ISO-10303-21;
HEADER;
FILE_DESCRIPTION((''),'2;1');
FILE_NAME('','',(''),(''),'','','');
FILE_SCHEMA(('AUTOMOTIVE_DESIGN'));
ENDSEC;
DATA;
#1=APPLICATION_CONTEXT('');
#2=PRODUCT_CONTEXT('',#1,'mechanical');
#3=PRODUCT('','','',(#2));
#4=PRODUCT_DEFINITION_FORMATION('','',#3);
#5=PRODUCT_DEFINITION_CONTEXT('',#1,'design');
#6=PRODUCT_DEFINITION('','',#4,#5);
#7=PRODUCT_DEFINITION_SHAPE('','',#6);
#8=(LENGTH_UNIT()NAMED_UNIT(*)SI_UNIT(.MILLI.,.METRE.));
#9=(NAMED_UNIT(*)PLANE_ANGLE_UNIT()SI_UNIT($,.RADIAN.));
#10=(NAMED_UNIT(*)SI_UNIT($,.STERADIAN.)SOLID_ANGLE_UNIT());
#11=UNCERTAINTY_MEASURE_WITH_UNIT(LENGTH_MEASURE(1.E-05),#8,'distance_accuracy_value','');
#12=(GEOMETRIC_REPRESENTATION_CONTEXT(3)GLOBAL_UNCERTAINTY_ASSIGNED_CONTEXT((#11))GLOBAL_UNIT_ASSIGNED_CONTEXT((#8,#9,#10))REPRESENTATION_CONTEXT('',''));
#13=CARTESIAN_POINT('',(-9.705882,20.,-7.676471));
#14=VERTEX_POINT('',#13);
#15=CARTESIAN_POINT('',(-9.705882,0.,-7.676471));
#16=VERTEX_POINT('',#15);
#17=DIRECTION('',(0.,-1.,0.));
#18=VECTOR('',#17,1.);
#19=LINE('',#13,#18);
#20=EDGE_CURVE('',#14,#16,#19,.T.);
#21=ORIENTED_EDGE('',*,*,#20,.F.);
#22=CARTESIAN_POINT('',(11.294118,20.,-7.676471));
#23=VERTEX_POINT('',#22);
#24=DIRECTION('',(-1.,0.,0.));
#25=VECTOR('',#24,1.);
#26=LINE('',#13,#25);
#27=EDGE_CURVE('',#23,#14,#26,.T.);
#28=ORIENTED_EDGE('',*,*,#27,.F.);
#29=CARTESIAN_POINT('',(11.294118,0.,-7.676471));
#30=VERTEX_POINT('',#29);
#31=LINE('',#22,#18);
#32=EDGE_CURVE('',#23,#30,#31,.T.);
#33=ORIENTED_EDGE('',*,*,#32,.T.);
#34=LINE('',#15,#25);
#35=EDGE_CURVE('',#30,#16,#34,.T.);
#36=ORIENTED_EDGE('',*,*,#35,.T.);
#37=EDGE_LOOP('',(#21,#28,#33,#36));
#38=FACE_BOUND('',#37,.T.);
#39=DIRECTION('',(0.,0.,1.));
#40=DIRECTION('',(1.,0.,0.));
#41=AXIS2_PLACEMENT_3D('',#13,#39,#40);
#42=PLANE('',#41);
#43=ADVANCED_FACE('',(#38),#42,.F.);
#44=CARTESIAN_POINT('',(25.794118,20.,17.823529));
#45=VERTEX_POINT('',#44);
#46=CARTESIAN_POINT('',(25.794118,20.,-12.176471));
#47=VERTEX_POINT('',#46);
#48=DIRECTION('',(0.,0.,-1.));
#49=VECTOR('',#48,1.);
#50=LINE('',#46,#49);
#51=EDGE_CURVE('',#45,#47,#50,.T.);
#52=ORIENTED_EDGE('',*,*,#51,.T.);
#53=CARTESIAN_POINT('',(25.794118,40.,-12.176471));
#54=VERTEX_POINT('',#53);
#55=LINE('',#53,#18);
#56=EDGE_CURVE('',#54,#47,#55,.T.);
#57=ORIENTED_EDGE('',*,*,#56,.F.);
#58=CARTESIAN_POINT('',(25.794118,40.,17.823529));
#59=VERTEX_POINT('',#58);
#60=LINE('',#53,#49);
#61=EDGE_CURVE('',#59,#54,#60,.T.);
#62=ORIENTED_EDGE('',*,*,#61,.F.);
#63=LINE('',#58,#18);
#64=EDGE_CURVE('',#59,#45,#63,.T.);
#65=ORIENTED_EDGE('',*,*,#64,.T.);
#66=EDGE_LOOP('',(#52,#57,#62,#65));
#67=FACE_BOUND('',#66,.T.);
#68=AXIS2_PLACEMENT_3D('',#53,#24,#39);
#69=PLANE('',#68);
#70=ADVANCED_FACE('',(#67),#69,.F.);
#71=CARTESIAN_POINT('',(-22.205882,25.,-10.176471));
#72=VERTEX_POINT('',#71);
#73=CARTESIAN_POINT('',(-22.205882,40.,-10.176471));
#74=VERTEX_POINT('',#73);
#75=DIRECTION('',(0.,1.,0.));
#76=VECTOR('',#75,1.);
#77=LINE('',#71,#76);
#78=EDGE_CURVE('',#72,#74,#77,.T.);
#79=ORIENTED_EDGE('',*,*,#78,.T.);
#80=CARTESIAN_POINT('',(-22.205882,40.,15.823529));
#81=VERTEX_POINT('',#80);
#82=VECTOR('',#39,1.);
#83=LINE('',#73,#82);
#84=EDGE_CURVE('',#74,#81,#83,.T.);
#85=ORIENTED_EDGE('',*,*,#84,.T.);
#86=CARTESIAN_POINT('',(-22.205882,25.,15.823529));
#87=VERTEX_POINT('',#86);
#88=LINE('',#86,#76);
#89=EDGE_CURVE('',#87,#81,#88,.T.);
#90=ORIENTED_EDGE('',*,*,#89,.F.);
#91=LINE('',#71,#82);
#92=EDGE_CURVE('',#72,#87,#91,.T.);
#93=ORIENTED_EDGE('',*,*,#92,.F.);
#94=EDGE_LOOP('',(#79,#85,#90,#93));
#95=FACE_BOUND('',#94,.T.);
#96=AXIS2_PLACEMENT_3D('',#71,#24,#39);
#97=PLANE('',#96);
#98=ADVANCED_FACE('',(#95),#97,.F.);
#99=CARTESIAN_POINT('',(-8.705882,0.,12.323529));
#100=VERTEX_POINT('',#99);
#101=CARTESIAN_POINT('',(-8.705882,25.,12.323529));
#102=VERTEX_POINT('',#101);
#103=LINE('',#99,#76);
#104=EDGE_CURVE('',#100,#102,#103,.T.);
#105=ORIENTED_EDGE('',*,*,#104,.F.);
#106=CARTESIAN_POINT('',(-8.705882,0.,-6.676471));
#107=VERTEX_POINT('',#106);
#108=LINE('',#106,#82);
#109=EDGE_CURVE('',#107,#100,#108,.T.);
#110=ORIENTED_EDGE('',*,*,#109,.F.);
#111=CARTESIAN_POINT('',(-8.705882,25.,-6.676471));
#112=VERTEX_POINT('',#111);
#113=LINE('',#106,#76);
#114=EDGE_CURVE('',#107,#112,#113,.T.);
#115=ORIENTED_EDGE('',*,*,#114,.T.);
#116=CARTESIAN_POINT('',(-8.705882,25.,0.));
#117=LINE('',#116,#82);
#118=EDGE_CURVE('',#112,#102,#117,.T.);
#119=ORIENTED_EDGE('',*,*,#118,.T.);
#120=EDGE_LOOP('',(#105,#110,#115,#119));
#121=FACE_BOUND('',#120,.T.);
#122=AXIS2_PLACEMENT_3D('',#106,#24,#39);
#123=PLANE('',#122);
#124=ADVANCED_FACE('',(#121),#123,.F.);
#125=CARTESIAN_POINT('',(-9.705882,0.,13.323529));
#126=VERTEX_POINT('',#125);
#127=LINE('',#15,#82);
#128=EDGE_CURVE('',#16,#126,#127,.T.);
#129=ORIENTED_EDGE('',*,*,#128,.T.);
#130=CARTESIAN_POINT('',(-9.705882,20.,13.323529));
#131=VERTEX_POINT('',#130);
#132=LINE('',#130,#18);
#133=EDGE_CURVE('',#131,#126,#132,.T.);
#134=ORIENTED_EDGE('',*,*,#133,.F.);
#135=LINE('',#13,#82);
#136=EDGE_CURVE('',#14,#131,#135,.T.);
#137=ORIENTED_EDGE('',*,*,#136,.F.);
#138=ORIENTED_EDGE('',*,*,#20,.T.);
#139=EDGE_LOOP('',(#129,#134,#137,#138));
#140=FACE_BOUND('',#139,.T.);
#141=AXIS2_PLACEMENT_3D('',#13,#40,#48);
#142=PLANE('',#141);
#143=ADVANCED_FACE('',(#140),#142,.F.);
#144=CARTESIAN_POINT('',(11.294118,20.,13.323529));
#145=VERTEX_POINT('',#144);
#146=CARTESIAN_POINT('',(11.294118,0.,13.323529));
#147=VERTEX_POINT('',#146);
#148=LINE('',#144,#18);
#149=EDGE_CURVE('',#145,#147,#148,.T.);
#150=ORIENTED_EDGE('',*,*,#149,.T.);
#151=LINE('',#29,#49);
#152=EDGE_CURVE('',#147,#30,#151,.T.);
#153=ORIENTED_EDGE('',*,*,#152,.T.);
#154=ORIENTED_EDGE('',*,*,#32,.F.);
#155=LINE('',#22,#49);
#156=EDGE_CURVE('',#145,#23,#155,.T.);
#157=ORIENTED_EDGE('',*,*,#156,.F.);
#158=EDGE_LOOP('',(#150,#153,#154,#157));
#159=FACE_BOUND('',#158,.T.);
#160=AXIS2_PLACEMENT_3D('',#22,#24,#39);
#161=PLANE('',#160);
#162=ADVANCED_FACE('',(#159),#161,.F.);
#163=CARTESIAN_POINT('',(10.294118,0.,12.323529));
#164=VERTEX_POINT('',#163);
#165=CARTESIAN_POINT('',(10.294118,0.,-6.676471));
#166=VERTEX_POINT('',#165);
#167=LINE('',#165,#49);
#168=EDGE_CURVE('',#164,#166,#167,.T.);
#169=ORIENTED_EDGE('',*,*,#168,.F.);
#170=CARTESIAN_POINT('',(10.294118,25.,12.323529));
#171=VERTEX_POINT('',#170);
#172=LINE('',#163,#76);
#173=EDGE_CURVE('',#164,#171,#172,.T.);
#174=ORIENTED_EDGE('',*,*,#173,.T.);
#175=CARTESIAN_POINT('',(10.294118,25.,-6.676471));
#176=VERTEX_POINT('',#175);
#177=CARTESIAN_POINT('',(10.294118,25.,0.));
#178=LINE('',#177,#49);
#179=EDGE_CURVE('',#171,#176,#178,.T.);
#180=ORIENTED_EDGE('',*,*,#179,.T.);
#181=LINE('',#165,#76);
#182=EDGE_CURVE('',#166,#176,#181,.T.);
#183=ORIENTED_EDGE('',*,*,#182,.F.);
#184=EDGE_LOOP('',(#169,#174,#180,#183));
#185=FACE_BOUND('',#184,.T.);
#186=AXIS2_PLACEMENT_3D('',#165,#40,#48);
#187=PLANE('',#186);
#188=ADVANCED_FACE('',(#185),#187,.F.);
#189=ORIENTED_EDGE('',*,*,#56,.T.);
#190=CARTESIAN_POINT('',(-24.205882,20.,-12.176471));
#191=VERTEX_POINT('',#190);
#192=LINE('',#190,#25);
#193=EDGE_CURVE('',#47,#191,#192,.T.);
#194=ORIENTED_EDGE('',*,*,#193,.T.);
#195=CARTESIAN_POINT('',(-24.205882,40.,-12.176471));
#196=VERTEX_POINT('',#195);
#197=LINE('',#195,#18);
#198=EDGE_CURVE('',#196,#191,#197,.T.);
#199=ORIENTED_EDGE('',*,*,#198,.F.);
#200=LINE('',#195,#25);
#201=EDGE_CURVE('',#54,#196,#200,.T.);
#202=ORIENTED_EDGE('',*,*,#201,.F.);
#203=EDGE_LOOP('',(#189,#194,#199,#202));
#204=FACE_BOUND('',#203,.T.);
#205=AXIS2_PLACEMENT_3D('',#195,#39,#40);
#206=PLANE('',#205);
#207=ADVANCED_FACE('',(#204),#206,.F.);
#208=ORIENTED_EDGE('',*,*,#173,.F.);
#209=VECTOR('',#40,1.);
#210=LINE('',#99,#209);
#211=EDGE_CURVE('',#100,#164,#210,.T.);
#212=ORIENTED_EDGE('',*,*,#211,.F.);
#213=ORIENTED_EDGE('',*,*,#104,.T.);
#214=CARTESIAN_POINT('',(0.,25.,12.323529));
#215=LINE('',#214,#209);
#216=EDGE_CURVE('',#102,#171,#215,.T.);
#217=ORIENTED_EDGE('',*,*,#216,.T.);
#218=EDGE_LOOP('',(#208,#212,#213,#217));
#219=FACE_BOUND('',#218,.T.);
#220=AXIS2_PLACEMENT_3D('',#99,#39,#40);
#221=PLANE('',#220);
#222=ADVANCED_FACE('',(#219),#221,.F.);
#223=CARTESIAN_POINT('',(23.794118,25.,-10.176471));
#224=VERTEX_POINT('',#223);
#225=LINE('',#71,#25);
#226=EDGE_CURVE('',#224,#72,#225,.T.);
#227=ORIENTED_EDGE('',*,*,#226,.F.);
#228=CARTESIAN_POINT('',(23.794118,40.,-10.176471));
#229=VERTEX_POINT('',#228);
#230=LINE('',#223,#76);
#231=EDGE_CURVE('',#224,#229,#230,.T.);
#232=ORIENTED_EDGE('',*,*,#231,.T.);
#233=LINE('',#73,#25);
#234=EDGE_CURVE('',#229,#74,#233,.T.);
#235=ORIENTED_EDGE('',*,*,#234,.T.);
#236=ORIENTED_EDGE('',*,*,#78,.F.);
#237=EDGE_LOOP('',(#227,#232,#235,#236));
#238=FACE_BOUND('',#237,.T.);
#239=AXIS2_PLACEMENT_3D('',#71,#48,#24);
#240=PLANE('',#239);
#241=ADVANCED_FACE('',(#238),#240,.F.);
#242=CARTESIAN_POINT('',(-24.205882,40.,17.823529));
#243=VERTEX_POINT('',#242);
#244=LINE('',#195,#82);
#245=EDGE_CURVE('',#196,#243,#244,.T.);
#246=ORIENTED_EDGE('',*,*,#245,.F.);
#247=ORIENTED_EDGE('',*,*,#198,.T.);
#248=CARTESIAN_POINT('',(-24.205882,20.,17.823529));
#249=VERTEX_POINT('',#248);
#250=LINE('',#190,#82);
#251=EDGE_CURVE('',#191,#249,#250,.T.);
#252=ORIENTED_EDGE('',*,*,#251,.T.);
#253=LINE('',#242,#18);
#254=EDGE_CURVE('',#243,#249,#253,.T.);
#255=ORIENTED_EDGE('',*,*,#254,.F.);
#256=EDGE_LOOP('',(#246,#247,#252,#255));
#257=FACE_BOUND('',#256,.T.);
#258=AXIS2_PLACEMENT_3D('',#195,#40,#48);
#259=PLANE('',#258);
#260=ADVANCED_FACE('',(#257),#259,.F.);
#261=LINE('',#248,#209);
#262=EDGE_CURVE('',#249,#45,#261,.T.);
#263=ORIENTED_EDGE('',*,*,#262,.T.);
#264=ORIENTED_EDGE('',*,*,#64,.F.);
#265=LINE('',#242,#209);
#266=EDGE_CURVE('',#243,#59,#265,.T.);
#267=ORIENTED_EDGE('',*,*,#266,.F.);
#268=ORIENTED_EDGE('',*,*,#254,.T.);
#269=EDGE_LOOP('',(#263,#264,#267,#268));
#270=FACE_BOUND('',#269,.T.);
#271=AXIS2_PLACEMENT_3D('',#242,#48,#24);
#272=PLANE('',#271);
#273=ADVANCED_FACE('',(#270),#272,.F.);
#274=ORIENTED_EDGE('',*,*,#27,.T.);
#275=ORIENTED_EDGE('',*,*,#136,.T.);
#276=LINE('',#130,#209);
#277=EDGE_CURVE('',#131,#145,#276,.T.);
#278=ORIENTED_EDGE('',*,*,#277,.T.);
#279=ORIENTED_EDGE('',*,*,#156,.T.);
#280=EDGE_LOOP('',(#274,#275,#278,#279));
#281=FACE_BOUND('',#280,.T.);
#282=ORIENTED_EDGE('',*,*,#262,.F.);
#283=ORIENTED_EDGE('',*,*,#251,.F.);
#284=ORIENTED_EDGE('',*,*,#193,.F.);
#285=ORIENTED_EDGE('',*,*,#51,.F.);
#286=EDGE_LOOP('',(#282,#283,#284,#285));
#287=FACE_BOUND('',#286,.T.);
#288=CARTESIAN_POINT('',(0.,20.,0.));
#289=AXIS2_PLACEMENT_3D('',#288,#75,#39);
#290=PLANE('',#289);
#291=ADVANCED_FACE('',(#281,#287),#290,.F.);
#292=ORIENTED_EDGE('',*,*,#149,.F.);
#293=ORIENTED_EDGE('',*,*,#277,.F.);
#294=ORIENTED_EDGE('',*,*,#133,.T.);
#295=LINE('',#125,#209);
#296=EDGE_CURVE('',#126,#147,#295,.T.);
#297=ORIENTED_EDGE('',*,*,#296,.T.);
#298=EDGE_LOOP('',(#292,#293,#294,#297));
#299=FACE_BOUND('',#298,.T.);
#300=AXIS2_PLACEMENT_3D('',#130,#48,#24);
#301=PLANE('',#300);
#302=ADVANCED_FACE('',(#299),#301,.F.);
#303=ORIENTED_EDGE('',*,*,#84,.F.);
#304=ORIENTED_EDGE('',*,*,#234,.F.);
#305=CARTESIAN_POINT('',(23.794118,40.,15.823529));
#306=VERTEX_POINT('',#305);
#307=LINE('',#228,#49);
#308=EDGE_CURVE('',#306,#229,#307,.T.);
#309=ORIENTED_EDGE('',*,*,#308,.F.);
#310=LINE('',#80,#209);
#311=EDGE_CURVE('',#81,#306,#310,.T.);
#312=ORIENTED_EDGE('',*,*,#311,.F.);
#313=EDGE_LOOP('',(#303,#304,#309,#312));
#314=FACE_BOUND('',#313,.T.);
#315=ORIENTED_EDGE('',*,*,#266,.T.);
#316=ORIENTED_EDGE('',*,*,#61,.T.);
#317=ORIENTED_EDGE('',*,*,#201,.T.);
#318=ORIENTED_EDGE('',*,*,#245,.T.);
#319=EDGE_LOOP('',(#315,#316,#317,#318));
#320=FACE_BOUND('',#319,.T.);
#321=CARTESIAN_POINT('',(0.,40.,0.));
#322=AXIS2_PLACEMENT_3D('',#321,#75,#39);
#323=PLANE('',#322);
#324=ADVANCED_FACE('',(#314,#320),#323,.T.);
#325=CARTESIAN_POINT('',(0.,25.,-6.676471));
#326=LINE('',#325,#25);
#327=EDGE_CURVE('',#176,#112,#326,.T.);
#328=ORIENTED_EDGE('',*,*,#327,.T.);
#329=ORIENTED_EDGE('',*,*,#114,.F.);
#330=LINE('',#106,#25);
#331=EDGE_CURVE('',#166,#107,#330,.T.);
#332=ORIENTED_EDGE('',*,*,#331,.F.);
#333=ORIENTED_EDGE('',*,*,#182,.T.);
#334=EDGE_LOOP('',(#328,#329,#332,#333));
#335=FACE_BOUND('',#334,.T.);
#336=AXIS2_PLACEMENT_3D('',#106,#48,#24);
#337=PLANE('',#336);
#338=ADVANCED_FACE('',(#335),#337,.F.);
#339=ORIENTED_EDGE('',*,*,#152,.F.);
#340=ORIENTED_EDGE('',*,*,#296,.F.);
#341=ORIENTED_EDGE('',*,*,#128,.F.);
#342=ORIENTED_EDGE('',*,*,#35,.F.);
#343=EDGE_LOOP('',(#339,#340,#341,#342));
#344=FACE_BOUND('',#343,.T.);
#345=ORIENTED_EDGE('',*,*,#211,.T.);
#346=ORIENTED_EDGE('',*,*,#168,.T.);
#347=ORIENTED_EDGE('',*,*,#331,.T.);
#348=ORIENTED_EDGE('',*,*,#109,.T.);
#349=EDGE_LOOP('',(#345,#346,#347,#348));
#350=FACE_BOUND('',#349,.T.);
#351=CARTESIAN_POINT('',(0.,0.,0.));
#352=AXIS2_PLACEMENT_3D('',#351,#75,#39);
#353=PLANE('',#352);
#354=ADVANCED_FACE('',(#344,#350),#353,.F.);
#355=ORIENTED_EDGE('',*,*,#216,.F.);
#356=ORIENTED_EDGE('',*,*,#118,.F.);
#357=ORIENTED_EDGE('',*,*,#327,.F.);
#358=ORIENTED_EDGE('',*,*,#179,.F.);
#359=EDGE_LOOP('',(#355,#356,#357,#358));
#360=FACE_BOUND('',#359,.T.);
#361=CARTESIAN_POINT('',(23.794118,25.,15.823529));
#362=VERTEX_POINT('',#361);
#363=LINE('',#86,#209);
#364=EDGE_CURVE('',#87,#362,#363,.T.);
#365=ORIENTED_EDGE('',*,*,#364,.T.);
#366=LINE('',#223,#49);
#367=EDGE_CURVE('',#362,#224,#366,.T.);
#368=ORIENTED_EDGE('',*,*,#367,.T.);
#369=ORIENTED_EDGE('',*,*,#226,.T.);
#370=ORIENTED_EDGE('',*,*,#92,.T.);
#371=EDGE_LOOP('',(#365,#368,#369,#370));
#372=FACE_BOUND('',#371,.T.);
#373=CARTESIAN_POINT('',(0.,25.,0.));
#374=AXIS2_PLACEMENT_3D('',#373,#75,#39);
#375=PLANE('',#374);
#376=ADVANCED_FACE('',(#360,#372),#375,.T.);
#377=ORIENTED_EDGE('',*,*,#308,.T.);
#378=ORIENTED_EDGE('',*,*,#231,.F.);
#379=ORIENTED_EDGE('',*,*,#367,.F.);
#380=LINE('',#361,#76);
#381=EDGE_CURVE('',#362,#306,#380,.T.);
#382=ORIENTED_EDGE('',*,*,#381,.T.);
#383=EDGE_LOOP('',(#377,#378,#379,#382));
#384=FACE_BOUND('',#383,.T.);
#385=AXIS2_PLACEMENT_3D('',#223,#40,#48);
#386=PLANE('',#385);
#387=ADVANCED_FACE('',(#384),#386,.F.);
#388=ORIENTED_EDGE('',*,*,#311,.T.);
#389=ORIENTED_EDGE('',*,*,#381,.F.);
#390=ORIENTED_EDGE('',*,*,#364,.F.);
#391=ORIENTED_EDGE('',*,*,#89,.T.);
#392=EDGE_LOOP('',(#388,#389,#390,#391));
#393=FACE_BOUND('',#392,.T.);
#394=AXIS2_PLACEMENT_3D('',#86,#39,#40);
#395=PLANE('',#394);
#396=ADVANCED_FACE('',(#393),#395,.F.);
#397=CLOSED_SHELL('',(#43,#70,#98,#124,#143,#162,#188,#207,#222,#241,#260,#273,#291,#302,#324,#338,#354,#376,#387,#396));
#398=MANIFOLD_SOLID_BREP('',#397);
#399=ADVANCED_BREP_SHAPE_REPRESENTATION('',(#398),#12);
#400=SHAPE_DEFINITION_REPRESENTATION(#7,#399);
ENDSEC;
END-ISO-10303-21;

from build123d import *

# Parameters (mm, degrees)
SKETCH2_W           = 21
SKETCH2_H           = 21
BOSS_EXTRUDE1_DEPTH = 20
SKETCH3_W           = 19
SKETCH3_H           = 19
CUT_EXTRUDE1_DEPTH  = 21
SKETCH4_W           = 50
SKETCH4_H           = 30
BOSS_EXTRUDE2_DEPTH = 20
SKETCH5_W           = 46
SKETCH5_H           = 26
CUT_EXTRUDE2_DEPTH  = 15
SKETCH6_W           = 19
SKETCH6_H           = 19
CUT_EXTRUDE3_DEPTH  = 15


with BuildPart() as part:
    # Sketch2 → Boss-Extrude1 (new body)
    with BuildSketch(Plane(origin=(0, 0, 0), x_dir=(1, 0, 0), z_dir=(0, 1, 0))):
        with Locations((0.794117647, -2.823529412)):
            Rectangle(SKETCH2_W, SKETCH2_H)
    extrude(amount=BOSS_EXTRUDE1_DEPTH)

    # Sketch3 → Cut-Extrude1 (cut, through all)
    with BuildSketch(Plane(origin=(0, 20, 0), x_dir=(1, 0, 0), z_dir=(0, 1, 0))):
        with Locations((0.794117647, -2.823529412)):
            Rectangle(SKETCH3_W, SKETCH3_H)
    extrude(amount=-CUT_EXTRUDE1_DEPTH, mode=Mode.SUBTRACT)

    # Sketch4 → Boss-Extrude2 (add)
    with BuildSketch(Plane(origin=(0, 20, 0), x_dir=(1, 0, 0), z_dir=(0, 1, 0))):
        with Locations((0.794117647, -2.823529412)):
            Rectangle(SKETCH4_W, SKETCH4_H)
    extrude(amount=BOSS_EXTRUDE2_DEPTH)

    # Sketch5 → Cut-Extrude2 (cut)
    with BuildSketch(Plane(origin=(0, 40, 0), x_dir=(1, 0, 0), z_dir=(0, 1, 0))):
        with Locations((0.794117647, -2.823529412)):
            Rectangle(SKETCH5_W, SKETCH5_H)
    extrude(amount=-CUT_EXTRUDE2_DEPTH, mode=Mode.SUBTRACT)

    # Sketch6 → Cut-Extrude3 (cut)
    with BuildSketch(Plane.XZ.offset(-20)):
        with Locations((0.794117647, 2.823529412)):
            Rectangle(SKETCH6_W, SKETCH6_H)
    extrude(amount=-CUT_EXTRUDE3_DEPTH, mode=Mode.SUBTRACT)


solid = part.part
